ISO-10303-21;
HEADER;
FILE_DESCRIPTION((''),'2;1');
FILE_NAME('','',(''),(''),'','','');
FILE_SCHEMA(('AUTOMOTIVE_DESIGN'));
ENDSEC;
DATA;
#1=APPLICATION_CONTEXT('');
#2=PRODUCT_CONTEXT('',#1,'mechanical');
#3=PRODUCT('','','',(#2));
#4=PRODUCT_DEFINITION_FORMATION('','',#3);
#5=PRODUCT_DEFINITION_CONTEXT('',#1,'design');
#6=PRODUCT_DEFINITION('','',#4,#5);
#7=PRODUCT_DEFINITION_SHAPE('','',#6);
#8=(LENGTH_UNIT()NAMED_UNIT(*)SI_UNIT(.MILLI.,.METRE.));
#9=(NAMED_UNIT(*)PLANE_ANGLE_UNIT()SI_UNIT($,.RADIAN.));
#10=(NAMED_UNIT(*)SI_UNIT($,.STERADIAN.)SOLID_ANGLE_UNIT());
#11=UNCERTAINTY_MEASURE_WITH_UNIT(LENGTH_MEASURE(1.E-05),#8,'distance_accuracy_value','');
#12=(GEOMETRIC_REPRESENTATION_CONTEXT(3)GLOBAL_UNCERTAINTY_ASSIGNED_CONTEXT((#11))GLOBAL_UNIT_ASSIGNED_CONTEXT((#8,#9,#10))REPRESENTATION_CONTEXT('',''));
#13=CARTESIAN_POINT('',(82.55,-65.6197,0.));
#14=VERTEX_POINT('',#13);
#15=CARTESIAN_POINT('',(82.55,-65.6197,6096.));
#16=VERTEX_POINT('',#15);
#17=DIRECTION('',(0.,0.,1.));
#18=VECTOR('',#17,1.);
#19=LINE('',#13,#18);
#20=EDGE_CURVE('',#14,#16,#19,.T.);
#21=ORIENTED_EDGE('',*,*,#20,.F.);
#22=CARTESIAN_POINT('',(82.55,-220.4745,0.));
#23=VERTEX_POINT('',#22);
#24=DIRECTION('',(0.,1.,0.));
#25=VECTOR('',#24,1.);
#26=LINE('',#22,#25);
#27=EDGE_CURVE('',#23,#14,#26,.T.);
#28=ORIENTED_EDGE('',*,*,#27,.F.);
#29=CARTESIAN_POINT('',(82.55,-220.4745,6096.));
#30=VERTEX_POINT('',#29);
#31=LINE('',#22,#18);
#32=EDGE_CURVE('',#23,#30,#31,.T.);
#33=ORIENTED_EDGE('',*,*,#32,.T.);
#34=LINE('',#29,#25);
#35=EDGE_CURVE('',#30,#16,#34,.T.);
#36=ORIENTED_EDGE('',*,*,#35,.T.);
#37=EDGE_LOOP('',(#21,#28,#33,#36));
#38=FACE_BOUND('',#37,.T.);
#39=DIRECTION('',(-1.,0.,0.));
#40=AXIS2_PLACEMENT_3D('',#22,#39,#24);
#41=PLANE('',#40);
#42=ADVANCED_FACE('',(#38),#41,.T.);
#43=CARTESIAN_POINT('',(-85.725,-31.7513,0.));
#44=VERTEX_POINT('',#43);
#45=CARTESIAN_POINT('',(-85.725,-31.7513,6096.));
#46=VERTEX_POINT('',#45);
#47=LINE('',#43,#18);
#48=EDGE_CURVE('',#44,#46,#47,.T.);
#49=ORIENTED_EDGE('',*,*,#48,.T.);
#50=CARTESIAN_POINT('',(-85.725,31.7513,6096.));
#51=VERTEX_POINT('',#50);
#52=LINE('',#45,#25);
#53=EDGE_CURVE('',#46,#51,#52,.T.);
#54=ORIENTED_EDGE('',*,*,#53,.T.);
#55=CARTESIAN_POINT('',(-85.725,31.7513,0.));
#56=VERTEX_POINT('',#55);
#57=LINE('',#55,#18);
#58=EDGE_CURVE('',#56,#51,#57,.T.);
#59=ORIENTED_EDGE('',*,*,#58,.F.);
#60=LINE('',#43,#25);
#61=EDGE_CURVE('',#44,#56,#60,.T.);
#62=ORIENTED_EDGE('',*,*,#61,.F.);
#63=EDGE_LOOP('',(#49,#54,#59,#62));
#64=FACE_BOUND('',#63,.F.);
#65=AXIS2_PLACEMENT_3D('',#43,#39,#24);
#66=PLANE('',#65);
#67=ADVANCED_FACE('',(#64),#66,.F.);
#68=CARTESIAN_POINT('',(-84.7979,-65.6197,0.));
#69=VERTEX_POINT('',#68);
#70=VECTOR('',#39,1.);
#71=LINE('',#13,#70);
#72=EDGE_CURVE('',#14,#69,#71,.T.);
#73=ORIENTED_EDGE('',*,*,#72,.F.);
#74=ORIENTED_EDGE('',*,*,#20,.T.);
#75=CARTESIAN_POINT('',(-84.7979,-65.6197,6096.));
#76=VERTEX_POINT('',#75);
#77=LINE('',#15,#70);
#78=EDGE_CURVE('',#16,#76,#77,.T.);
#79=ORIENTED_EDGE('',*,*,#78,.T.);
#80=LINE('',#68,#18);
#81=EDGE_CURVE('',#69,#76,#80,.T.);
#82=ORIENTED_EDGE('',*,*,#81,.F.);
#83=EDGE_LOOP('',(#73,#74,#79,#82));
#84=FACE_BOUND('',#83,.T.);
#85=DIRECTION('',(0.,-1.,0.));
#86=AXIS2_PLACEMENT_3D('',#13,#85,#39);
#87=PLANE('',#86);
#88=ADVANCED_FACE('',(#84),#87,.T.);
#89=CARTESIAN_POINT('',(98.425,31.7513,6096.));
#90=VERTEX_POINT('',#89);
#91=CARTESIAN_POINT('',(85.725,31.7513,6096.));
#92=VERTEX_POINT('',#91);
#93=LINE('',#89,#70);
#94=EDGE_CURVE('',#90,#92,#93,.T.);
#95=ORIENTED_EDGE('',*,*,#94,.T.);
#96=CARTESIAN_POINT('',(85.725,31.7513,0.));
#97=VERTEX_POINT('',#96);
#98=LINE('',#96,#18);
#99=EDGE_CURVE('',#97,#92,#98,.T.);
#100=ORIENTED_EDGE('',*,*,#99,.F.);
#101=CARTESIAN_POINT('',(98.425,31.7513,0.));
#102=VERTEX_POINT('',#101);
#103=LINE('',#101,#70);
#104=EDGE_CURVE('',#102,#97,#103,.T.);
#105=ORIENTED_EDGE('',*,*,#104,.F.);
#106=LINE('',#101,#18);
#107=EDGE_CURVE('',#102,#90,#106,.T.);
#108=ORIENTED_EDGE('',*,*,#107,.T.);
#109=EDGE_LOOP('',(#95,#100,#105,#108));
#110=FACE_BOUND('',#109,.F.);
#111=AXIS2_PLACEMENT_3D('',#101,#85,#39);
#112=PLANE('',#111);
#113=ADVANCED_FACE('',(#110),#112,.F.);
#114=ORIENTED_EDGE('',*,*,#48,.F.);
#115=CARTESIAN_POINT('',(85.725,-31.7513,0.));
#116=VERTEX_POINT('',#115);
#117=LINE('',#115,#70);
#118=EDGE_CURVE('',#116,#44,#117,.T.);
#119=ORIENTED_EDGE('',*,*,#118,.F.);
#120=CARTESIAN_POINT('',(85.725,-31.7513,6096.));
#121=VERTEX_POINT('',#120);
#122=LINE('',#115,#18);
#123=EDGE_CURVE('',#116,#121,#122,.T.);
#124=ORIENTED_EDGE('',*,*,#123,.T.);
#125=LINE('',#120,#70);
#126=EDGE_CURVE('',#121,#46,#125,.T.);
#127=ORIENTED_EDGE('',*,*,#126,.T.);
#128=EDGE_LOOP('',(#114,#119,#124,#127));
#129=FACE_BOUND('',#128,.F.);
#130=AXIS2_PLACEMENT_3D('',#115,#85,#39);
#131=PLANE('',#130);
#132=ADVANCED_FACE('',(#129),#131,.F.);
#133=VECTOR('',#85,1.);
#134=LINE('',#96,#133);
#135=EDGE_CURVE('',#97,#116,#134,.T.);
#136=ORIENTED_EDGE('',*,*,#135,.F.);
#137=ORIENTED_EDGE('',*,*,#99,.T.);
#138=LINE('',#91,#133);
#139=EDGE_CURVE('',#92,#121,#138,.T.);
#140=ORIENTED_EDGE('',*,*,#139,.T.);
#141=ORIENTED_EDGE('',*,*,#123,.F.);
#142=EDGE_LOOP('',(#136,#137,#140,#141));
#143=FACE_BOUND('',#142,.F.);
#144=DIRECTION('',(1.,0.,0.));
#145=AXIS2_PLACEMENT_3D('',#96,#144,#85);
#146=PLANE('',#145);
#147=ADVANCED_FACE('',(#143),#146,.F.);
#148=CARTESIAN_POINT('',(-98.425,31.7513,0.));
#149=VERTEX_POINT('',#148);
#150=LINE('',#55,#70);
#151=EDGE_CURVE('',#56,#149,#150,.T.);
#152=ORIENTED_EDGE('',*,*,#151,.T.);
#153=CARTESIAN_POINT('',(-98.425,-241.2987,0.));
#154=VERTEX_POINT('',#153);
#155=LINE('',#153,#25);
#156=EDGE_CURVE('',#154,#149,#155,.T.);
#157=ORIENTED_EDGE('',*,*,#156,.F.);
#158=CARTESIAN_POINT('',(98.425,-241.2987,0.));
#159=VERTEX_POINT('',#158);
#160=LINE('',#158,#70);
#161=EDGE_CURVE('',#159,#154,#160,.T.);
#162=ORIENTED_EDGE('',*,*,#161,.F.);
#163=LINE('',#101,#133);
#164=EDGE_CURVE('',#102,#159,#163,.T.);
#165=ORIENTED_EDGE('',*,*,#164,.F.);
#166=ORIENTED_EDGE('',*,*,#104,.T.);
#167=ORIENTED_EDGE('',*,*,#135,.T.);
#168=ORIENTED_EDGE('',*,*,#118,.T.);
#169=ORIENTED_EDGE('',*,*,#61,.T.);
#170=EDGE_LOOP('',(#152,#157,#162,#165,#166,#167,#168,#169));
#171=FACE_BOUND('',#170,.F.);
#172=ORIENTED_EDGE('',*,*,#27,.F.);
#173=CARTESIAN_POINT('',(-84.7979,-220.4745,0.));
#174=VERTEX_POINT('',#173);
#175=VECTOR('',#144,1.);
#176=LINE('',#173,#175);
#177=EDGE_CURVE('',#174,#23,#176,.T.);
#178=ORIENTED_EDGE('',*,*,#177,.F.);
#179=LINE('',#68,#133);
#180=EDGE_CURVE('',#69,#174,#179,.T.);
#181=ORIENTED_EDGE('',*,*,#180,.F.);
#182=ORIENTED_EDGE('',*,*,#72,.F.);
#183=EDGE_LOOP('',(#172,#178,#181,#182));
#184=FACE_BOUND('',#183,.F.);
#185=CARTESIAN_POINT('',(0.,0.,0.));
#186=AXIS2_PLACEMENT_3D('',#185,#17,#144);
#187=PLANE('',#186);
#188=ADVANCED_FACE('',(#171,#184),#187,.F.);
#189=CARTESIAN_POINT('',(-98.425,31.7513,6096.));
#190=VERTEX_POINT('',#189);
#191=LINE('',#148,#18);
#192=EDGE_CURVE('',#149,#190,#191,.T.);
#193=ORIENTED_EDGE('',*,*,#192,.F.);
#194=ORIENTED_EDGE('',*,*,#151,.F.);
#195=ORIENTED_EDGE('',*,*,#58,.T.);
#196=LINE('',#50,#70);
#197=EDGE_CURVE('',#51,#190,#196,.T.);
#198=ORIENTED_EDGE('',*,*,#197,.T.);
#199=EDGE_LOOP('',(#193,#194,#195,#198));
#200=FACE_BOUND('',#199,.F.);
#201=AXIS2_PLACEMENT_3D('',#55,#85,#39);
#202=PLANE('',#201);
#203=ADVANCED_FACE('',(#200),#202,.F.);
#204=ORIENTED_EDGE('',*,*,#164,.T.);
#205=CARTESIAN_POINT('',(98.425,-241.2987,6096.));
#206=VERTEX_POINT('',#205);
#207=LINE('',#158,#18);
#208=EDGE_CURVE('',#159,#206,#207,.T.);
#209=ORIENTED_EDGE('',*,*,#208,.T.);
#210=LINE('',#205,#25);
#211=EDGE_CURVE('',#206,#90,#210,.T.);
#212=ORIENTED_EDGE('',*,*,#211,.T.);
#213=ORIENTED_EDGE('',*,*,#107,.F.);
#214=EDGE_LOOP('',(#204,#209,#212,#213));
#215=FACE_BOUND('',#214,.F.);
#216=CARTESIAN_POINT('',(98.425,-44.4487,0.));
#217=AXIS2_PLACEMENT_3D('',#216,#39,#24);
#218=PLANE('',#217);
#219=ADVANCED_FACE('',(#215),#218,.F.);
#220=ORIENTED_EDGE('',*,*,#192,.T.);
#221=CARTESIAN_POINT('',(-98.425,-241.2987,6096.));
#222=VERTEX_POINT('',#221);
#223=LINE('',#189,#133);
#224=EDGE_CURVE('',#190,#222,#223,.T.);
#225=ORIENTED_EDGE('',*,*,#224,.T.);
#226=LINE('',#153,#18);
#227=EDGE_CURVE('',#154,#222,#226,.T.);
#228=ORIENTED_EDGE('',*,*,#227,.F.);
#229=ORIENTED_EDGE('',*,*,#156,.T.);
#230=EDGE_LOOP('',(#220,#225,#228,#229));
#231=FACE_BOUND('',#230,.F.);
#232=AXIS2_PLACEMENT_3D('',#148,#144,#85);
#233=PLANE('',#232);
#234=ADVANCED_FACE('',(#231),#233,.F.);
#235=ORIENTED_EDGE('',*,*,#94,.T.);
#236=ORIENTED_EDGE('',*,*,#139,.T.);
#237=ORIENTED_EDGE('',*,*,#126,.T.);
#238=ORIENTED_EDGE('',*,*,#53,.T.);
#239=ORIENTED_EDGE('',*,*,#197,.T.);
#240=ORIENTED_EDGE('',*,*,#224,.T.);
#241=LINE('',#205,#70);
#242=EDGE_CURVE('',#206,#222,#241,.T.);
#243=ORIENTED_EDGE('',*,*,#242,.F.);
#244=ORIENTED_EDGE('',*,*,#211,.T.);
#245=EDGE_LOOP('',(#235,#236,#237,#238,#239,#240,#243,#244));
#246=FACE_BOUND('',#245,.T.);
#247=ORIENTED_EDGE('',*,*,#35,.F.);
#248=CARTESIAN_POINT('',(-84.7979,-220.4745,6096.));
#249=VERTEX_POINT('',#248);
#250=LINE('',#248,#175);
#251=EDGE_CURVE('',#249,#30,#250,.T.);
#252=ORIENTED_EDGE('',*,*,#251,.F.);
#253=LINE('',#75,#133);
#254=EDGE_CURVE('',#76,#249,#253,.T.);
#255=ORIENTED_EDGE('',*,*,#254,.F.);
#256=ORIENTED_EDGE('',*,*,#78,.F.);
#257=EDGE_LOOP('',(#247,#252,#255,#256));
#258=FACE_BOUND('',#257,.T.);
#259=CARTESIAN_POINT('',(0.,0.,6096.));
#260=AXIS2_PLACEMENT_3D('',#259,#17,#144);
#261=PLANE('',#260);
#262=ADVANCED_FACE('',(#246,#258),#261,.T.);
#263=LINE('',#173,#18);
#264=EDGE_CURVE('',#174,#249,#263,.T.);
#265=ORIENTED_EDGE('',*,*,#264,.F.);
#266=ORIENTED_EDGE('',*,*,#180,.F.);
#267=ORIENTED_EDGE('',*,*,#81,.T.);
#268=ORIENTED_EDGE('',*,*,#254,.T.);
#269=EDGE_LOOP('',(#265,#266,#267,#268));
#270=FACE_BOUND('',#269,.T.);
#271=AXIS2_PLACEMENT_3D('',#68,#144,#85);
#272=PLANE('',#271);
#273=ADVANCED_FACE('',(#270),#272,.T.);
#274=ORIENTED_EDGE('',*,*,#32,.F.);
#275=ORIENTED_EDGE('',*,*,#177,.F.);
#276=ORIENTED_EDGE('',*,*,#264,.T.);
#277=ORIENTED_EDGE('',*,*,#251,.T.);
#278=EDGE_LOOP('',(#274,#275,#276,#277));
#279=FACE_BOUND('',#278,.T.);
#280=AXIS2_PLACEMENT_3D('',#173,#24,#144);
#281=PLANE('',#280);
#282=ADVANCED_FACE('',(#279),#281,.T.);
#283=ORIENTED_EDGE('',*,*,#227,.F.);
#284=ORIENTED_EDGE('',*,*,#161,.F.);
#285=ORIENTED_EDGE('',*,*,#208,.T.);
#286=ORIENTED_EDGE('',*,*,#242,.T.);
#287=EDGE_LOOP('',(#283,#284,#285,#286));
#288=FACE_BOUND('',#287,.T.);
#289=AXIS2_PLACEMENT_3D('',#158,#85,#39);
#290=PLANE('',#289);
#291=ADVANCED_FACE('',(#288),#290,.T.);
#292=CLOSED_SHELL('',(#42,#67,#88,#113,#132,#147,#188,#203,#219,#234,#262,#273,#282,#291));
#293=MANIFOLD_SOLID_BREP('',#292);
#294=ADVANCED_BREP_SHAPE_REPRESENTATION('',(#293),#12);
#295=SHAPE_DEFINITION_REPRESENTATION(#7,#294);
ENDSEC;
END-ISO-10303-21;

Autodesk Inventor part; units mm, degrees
ref_plane "YZ Plane" through (0, 0, 0) normal (1, 0, 0) x (0, 1, 0)
ref_plane "XZ Plane" through (0, 0, 0) normal (0, 1, 0) x (-1, 0, 0)
ref_plane "XY Plane" through (0, 0, 0) normal (0, 0, 1) x (1, 0, 0)
sketch "Sketch1" plane through (0, 0, 0) normal (0, 0, 1) x (1, 0, 0)
  line L0 (85.725, -31.7513) -> (-85.725, -31.7513)
  line L1 (-85.725, -31.7513) -> (-85.725, 31.7513)
  line L2 (85.725, 31.7513) -> (85.725, -31.7513)
  line L3 (85.725, -31.7513) -> (-85.725, 31.7513) construction
  line L4 (-85.725, -31.7513) -> (85.725, 31.7513) construction
  line L5 (-85.725, 31.7513) -> (-98.425, 31.7513)
  line L6 (-98.425, 31.7513) -> (-98.425, -44.4487)
  line L7 (-98.425, -44.4487) -> (98.425, -44.4487)
  line L8 (98.425, -44.4487) -> (98.425, 31.7513)
  line L9 (98.425, 31.7513) -> (85.725, 31.7513)
  line L10 (-98.425, -44.4487) -> (98.425, -44.4487)
  line L11 (98.425, -44.4487) -> (98.425, -241.2987)
  line L12 (98.425, -241.2987) -> (-98.425, -241.2987)
  line L13 (-98.425, -241.2987) -> (-98.425, -44.4487)
  line L14 (-84.7979, -220.4745) -> (82.55, -220.4745)
  line L15 (82.55, -220.4745) -> (82.55, -65.6197)
  line L16 (82.55, -65.6197) -> (-84.7979, -65.6197)
  line L17 (-84.7979, -65.6197) -> (-84.7979, -220.4745)
  point P0 (0, 0)
  point P1 (98.425, -44.4487)
  dimension "d6" = 76.2
  dimension "d7" = 196.85
  dimension "d8" = 12.7
  dimension "d11" = 196.85
  dimension "d12" = 12.7
extrude "Extrusion1" add sketch "Sketch1" along normal blind 6096
properties part number "rail"
